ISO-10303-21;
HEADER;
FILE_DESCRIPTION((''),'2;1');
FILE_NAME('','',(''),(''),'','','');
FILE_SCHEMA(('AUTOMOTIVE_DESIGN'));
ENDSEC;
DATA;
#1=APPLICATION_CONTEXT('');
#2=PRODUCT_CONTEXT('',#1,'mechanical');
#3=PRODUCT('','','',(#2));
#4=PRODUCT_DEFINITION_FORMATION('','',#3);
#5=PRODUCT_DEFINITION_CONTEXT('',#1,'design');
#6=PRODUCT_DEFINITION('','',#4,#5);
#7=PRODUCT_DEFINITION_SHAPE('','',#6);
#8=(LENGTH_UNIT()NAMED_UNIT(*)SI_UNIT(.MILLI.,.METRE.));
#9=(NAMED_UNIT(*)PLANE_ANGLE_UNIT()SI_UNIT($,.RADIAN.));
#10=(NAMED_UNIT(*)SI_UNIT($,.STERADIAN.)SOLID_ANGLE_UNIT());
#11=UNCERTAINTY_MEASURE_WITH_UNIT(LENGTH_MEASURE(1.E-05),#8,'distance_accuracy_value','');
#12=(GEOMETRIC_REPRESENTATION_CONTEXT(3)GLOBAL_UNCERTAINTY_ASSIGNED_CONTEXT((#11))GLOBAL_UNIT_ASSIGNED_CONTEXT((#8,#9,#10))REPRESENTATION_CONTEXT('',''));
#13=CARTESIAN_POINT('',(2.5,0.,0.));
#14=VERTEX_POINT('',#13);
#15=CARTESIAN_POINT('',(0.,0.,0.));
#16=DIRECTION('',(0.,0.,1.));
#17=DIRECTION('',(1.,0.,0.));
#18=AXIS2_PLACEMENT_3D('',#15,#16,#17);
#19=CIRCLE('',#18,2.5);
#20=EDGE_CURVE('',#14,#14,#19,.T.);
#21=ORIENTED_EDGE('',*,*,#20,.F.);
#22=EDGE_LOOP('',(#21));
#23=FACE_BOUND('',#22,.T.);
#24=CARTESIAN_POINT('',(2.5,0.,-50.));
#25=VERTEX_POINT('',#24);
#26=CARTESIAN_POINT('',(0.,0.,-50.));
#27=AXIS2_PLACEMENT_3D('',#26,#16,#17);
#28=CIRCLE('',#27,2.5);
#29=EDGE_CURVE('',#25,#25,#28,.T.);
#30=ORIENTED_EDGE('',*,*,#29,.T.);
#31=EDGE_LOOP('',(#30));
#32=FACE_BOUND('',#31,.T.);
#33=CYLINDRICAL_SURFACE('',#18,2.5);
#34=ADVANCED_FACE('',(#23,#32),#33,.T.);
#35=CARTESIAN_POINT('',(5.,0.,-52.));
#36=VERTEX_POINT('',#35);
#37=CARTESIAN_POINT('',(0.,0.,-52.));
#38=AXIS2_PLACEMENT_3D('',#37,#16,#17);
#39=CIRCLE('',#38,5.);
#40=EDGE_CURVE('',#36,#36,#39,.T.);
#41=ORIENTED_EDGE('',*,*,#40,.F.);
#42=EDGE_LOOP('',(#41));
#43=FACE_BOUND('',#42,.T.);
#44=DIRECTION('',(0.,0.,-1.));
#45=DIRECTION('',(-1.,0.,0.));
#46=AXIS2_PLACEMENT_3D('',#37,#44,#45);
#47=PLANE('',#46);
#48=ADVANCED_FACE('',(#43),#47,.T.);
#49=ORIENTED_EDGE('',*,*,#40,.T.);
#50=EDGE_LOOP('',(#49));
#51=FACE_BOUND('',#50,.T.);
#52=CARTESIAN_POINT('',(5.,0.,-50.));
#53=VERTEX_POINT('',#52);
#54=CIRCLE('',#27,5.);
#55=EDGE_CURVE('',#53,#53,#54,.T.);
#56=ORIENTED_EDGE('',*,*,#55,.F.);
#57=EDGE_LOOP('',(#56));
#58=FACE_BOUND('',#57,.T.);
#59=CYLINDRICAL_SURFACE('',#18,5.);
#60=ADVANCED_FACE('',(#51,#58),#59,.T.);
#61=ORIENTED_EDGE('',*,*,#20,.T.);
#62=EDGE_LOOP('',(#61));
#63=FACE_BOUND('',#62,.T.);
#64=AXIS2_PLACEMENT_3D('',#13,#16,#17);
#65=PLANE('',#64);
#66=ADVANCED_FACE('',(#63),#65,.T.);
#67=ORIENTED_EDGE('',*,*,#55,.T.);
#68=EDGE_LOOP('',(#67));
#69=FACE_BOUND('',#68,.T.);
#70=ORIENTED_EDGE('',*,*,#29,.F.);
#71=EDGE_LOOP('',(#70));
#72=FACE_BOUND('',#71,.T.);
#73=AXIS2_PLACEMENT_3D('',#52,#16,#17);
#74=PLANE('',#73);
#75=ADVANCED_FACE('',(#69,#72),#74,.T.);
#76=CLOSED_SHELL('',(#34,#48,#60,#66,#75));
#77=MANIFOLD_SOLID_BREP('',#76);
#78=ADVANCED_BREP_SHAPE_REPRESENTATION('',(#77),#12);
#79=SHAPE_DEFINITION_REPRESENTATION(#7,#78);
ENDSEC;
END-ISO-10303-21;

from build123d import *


with BuildPart() as part:
    # Sketch1 → Revolve2 (revolve)
    with BuildSketch(Plane(origin=(0, 0, 0), x_dir=(1, 0, 0), z_dir=(0, 1, 0))):
        Polygon((0, 0), (0, 52), (5, 52), (5, 50), (2.5, 50), (2.5, 0), align=None)
    revolve(axis=Axis((0, 0, 0), (0, 0, -1)))


solid = part.part
